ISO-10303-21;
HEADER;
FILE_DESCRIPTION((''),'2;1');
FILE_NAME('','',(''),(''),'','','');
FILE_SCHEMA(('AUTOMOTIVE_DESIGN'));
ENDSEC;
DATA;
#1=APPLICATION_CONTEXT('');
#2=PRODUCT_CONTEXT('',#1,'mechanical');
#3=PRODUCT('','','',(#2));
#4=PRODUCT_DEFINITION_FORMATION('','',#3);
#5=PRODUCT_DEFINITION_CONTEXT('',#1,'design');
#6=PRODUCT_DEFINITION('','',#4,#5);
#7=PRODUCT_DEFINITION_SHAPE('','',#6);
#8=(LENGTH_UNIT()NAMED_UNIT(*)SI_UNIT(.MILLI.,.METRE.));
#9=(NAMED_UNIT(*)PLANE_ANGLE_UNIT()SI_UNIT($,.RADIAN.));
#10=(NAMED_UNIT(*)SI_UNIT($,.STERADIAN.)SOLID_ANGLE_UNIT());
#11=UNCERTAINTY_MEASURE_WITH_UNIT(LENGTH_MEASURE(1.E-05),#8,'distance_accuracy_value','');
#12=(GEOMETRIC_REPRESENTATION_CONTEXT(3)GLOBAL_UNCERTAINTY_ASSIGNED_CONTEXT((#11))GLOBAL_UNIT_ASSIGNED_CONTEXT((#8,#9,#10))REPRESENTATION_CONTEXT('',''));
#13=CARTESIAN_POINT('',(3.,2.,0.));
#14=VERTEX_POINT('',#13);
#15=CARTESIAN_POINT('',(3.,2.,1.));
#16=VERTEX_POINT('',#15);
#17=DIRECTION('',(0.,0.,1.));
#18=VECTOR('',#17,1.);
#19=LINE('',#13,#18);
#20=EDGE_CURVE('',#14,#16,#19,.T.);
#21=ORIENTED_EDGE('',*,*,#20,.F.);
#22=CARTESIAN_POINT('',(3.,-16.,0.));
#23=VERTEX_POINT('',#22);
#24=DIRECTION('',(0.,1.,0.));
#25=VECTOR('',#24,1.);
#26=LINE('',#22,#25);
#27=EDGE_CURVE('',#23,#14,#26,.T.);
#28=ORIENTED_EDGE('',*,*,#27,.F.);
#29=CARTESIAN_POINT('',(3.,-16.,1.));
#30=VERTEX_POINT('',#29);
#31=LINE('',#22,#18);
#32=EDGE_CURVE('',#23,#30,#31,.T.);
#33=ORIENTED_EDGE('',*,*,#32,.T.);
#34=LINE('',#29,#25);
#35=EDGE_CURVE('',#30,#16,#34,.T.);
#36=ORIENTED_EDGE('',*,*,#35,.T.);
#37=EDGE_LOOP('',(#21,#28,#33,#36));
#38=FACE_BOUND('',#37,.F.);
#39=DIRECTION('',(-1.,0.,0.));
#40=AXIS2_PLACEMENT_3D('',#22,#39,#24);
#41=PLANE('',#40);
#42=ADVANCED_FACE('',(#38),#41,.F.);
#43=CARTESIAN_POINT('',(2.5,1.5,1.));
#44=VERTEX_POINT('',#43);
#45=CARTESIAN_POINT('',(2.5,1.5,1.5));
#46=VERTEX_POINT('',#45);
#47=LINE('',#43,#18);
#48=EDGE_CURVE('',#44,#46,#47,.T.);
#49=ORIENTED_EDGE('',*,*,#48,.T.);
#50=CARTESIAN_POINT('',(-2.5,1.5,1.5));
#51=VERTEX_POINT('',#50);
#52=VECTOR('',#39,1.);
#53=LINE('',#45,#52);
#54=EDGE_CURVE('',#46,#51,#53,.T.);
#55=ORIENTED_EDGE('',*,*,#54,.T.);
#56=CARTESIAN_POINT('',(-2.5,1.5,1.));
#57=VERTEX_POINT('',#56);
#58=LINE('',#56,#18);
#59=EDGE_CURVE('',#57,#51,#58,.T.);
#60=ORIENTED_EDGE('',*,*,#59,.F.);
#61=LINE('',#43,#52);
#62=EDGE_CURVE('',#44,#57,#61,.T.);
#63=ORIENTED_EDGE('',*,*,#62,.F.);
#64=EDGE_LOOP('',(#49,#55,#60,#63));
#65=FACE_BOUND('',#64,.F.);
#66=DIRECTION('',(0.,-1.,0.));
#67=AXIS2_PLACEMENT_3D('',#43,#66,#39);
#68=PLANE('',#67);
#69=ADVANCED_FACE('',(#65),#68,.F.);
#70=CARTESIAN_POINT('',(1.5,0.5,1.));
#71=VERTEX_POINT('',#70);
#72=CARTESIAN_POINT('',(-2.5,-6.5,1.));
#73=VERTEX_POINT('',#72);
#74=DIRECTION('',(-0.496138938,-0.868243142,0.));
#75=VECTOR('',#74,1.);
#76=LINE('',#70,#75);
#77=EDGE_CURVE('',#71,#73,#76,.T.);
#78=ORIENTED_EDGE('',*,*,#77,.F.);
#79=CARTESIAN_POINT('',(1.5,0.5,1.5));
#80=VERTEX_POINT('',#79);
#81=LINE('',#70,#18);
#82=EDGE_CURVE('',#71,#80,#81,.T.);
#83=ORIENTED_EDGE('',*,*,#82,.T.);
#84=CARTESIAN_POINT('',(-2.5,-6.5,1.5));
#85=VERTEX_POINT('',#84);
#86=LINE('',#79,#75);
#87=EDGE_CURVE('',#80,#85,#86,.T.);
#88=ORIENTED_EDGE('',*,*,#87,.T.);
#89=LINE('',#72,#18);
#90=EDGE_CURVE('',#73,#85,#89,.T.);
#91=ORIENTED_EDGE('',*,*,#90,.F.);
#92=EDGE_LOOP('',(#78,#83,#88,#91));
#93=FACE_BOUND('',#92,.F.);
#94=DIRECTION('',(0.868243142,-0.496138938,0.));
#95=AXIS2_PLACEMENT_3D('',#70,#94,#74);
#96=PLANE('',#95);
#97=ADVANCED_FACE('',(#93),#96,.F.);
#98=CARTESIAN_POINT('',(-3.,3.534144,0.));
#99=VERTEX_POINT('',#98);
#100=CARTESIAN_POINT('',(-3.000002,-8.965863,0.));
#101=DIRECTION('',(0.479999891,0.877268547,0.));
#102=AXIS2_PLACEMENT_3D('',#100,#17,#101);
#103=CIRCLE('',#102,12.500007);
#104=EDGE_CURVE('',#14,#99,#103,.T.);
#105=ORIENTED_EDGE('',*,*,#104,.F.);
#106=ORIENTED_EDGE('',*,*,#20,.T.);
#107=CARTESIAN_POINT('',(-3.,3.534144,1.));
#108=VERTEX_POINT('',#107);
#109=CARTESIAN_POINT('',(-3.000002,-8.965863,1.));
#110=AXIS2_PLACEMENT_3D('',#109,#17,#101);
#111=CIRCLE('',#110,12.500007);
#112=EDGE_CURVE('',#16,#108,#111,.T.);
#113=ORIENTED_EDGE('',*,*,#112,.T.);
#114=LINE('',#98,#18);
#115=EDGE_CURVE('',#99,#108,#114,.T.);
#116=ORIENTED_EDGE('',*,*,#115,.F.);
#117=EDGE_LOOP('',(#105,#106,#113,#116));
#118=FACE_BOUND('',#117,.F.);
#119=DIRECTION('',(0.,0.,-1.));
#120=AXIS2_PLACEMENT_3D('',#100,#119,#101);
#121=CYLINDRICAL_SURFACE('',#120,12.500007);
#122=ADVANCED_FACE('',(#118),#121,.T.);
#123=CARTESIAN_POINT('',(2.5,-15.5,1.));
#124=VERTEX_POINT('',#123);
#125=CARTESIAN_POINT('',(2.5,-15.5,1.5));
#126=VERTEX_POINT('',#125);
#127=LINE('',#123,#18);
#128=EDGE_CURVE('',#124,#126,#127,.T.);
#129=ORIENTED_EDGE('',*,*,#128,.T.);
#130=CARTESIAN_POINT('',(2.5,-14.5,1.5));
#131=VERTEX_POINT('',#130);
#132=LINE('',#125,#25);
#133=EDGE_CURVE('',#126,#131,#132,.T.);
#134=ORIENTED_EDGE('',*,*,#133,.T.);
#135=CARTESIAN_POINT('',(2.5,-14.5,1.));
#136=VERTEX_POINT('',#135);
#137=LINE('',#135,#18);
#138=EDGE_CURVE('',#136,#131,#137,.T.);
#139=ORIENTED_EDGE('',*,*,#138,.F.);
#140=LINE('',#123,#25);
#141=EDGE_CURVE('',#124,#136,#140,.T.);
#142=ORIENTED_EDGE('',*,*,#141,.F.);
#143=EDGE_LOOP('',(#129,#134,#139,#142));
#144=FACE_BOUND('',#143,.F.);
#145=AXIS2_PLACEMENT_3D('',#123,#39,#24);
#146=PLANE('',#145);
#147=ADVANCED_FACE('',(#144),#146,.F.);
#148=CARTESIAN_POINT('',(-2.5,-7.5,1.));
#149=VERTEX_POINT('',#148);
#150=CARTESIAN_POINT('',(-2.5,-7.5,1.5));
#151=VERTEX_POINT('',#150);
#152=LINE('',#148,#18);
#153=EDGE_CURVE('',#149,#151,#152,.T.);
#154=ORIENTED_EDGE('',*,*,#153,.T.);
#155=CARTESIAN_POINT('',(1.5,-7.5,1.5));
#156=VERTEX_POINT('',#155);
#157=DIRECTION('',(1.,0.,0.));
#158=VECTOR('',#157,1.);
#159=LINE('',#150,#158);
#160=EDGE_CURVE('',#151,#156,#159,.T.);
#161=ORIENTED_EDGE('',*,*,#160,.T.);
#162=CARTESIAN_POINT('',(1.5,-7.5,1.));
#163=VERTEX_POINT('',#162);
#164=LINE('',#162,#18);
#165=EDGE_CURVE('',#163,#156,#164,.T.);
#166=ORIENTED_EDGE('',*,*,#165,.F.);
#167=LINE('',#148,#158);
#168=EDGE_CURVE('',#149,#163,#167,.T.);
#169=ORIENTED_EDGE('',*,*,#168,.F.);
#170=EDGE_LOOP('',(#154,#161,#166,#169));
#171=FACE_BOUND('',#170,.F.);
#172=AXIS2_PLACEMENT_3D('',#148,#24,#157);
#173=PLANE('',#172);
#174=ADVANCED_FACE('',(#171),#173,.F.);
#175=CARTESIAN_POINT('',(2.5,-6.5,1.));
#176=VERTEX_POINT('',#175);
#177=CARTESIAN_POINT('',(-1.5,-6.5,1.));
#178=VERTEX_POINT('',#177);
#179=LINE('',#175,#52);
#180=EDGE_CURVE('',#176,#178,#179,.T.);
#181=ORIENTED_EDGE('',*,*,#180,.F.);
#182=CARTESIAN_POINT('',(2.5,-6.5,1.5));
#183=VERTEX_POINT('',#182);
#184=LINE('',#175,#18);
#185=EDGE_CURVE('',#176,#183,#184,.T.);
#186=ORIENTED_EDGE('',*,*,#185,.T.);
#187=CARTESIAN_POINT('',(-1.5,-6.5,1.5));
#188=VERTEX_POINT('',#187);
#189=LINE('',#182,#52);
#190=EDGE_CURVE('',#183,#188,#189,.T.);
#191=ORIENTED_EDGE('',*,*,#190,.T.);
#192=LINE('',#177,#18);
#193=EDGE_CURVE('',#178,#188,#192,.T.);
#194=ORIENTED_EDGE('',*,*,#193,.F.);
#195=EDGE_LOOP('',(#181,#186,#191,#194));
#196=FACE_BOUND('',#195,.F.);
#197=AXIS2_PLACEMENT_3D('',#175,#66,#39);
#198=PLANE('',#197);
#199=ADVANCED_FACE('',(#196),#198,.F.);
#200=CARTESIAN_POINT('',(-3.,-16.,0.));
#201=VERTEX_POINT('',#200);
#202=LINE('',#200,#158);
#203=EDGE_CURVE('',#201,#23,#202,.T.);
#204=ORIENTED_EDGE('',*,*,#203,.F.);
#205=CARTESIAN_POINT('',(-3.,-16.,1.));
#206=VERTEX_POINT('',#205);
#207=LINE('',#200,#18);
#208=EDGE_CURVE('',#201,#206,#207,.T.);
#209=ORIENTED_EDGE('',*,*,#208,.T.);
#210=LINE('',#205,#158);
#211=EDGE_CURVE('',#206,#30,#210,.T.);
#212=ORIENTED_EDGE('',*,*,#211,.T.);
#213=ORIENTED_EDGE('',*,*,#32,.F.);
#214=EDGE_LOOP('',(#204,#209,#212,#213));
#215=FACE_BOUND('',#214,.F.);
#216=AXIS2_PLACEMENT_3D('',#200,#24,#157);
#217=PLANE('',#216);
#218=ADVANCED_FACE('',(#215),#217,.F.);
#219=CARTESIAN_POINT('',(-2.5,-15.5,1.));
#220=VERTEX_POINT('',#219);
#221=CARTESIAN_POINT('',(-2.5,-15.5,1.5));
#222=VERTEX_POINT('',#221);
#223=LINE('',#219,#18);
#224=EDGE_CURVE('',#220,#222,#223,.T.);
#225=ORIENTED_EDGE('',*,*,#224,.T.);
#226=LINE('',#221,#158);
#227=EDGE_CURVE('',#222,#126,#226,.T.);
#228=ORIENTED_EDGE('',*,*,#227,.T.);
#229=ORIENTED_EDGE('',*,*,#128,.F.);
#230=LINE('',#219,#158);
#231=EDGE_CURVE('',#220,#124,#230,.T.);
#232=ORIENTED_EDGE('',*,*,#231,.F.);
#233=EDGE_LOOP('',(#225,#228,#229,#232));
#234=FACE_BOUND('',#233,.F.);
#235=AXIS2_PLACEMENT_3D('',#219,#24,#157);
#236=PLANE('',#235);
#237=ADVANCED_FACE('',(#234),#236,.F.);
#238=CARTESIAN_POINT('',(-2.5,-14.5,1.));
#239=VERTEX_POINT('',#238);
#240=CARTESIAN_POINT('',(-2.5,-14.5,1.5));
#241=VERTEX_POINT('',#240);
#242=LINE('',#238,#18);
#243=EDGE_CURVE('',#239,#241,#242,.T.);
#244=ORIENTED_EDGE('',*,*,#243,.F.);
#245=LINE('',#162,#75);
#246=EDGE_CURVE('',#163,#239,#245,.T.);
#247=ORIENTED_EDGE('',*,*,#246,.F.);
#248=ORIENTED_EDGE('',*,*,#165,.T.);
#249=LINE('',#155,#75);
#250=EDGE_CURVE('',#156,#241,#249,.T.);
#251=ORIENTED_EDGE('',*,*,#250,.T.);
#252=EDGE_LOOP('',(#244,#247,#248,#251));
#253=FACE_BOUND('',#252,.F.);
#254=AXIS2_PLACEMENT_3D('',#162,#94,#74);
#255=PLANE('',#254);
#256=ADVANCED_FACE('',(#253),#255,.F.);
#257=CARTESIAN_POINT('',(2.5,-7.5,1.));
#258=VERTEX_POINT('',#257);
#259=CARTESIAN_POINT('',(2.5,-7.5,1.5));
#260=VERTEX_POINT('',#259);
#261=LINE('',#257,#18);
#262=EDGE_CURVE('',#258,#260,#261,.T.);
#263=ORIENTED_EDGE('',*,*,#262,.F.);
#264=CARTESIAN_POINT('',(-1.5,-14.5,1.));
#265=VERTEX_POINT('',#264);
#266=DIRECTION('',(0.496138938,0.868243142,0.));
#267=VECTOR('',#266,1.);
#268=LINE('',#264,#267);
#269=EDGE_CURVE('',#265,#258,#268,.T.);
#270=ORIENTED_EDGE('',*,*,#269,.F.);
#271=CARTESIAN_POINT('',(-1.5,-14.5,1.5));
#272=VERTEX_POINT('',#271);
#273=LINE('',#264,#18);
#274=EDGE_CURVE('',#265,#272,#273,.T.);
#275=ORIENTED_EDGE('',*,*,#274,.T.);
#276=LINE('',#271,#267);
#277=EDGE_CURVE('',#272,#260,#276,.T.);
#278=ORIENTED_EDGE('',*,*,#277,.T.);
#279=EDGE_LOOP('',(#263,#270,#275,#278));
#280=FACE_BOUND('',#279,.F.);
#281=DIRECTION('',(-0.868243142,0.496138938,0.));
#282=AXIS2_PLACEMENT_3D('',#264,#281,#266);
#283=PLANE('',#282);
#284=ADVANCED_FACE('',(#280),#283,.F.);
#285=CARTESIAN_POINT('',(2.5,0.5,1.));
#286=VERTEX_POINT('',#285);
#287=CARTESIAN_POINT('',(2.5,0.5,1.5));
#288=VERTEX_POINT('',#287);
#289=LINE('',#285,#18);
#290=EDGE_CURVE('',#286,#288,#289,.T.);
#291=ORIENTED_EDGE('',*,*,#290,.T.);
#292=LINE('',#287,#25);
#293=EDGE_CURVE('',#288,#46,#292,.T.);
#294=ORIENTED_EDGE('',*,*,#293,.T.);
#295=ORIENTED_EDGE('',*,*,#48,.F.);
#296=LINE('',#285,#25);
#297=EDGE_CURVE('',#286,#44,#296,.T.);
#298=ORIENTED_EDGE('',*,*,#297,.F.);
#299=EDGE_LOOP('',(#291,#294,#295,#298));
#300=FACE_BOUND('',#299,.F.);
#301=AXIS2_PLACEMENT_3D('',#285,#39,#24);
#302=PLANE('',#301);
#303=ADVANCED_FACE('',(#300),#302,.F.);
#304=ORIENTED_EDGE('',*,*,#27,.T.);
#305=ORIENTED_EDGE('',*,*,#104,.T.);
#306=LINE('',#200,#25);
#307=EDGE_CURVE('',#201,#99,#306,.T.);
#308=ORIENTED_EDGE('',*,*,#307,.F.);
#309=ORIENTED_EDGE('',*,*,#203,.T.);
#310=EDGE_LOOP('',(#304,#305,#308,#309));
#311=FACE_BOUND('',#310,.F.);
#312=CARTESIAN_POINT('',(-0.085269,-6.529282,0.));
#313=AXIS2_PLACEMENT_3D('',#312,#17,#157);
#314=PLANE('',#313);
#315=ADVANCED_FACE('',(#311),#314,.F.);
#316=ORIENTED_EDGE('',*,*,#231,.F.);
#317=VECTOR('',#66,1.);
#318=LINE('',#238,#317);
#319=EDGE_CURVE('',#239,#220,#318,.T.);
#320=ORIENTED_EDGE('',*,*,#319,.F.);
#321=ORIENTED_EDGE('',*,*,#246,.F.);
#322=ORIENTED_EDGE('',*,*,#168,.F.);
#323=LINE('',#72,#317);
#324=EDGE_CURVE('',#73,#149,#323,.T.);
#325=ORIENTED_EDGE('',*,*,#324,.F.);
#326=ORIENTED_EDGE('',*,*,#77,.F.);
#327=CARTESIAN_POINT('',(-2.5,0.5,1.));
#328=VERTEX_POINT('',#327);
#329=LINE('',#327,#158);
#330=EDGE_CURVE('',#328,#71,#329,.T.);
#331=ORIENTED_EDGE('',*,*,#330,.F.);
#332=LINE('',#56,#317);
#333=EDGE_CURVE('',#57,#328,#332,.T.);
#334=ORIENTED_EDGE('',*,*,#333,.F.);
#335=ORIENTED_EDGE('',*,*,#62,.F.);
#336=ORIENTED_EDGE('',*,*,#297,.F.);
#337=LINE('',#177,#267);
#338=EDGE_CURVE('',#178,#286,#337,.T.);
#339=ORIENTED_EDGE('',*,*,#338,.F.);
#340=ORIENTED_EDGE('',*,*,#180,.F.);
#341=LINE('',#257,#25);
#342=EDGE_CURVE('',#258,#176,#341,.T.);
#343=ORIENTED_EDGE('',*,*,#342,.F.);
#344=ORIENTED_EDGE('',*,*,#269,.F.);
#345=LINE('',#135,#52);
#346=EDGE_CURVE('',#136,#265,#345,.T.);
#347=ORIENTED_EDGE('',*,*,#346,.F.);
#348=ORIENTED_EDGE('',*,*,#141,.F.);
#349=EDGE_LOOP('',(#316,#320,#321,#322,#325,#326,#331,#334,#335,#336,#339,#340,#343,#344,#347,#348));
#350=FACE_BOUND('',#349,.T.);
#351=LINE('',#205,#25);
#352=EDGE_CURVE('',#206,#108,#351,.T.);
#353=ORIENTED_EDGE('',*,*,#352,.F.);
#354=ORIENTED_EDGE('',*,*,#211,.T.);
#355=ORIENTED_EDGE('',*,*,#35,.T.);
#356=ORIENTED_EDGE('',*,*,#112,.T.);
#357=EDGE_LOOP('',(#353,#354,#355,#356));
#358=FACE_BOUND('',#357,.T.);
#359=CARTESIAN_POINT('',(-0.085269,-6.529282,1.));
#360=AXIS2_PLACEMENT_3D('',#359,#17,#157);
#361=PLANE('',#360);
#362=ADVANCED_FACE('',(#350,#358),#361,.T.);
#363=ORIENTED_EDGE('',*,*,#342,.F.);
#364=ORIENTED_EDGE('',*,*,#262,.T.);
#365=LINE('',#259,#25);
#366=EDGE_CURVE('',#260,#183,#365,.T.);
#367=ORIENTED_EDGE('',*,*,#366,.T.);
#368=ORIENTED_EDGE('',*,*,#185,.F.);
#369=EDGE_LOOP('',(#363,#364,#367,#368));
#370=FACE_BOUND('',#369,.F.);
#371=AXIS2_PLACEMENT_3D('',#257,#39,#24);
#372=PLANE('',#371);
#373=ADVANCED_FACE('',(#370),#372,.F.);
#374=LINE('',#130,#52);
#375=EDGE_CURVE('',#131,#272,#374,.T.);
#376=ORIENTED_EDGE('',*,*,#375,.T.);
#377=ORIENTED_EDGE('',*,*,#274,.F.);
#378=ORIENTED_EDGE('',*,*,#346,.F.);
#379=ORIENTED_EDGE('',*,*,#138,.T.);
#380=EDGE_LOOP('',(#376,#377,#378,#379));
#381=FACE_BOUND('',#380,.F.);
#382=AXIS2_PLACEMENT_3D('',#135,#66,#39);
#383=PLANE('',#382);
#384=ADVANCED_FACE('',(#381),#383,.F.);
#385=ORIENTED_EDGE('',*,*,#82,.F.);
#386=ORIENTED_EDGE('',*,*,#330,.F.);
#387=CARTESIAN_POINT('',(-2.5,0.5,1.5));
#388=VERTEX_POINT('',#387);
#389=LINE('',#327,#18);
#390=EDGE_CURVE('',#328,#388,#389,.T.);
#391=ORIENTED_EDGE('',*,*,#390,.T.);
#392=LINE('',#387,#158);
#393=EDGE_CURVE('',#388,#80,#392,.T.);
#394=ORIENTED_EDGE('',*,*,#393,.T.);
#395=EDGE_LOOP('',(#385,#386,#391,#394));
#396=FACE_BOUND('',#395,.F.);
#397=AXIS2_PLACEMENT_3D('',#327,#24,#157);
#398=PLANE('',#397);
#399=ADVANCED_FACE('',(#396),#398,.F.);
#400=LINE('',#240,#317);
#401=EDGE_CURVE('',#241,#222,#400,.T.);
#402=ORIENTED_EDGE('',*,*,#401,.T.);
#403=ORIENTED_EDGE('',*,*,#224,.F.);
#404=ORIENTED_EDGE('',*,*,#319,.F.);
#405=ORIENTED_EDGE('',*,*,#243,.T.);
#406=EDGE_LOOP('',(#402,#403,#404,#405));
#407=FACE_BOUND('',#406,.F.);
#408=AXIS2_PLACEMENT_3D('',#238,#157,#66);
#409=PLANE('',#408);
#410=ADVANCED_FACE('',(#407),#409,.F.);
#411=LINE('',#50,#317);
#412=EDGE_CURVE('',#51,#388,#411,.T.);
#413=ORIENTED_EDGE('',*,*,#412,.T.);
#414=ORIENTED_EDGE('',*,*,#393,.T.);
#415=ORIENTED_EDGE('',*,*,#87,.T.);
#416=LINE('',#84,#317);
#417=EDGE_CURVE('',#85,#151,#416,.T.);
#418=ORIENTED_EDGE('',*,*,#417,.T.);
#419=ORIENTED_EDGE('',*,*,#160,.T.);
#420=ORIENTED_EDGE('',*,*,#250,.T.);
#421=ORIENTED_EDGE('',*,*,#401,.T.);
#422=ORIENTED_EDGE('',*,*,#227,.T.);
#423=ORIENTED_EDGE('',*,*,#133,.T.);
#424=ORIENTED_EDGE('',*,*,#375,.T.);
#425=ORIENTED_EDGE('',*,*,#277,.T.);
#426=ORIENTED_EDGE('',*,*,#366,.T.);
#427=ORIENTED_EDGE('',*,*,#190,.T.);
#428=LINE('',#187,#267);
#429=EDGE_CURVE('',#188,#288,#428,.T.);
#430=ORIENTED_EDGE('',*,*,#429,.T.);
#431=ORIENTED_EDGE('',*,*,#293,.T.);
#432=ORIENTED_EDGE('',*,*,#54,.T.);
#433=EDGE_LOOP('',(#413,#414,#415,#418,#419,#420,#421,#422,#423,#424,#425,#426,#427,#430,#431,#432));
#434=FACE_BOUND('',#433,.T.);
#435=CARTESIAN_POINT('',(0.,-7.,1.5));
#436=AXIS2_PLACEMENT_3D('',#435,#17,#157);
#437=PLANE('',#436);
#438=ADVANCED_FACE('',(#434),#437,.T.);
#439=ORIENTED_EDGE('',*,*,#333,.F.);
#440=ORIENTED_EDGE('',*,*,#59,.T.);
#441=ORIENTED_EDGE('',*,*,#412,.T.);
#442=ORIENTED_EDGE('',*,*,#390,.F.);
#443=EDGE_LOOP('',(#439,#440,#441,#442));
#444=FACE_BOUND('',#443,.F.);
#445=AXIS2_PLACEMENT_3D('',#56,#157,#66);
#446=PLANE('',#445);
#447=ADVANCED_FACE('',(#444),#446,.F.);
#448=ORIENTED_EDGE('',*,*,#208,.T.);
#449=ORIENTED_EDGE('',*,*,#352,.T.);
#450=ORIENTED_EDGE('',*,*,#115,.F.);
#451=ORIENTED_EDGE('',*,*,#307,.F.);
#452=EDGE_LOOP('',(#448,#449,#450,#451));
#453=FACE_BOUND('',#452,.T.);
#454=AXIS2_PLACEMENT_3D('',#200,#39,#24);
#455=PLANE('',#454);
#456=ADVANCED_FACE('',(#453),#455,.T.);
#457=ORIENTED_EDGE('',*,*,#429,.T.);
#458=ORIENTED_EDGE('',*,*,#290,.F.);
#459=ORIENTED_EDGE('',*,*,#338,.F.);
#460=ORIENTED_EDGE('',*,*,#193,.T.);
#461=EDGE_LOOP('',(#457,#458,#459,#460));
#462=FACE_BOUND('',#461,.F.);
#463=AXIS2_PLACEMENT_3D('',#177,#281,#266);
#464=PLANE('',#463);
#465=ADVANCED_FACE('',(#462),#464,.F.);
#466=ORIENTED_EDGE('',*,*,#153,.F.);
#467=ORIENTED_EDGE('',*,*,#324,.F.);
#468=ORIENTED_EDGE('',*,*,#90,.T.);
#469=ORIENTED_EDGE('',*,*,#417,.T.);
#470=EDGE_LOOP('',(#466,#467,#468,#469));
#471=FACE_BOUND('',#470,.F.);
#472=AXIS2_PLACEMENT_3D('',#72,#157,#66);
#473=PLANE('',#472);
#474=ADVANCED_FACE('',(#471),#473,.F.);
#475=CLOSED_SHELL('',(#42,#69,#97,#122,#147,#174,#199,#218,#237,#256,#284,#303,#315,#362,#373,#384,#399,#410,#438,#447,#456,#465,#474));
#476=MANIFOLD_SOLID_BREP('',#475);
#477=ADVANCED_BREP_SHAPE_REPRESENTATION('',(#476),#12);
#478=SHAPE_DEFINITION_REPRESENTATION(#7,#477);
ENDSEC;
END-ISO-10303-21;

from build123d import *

# Parameters (mm, degrees)
PAD_DEPTH    = 1
PAD001_DEPTH = 0.5


with BuildPart() as part:
    # Sketch → Pad (new body)
    with BuildSketch(Plane.XY):
        with BuildLine():
            Line((-3, -16), (3, -16))
            Line((3, -16), (3, 2))
            ThreePointArc((3, 2), (0.096514, 3.144536), (-3, 3.534144))
            Line((-3, -16), (-3, 3.534144))
        make_face()
    extrude(amount=PAD_DEPTH)

    # Sketch001 → Pad001 (new body)
    with BuildSketch(Plane.XY.offset(1)):
        Polygon((2.5, 1.5), (-2.5, 1.5), (-2.5, 0.5), (1.5, 0.5), (-2.5, -6.5), (-2.5, -7.5), (1.5, -7.5), (-2.5, -14.5), (-2.5, -15.5), (2.5, -15.5), (2.5, -14.5), (-1.5, -14.5), (2.5, -7.5), (2.5, -6.5), (-1.5, -6.5), (2.5, 0.5), align=None)
    extrude(amount=PAD001_DEPTH)


solid = part.part
